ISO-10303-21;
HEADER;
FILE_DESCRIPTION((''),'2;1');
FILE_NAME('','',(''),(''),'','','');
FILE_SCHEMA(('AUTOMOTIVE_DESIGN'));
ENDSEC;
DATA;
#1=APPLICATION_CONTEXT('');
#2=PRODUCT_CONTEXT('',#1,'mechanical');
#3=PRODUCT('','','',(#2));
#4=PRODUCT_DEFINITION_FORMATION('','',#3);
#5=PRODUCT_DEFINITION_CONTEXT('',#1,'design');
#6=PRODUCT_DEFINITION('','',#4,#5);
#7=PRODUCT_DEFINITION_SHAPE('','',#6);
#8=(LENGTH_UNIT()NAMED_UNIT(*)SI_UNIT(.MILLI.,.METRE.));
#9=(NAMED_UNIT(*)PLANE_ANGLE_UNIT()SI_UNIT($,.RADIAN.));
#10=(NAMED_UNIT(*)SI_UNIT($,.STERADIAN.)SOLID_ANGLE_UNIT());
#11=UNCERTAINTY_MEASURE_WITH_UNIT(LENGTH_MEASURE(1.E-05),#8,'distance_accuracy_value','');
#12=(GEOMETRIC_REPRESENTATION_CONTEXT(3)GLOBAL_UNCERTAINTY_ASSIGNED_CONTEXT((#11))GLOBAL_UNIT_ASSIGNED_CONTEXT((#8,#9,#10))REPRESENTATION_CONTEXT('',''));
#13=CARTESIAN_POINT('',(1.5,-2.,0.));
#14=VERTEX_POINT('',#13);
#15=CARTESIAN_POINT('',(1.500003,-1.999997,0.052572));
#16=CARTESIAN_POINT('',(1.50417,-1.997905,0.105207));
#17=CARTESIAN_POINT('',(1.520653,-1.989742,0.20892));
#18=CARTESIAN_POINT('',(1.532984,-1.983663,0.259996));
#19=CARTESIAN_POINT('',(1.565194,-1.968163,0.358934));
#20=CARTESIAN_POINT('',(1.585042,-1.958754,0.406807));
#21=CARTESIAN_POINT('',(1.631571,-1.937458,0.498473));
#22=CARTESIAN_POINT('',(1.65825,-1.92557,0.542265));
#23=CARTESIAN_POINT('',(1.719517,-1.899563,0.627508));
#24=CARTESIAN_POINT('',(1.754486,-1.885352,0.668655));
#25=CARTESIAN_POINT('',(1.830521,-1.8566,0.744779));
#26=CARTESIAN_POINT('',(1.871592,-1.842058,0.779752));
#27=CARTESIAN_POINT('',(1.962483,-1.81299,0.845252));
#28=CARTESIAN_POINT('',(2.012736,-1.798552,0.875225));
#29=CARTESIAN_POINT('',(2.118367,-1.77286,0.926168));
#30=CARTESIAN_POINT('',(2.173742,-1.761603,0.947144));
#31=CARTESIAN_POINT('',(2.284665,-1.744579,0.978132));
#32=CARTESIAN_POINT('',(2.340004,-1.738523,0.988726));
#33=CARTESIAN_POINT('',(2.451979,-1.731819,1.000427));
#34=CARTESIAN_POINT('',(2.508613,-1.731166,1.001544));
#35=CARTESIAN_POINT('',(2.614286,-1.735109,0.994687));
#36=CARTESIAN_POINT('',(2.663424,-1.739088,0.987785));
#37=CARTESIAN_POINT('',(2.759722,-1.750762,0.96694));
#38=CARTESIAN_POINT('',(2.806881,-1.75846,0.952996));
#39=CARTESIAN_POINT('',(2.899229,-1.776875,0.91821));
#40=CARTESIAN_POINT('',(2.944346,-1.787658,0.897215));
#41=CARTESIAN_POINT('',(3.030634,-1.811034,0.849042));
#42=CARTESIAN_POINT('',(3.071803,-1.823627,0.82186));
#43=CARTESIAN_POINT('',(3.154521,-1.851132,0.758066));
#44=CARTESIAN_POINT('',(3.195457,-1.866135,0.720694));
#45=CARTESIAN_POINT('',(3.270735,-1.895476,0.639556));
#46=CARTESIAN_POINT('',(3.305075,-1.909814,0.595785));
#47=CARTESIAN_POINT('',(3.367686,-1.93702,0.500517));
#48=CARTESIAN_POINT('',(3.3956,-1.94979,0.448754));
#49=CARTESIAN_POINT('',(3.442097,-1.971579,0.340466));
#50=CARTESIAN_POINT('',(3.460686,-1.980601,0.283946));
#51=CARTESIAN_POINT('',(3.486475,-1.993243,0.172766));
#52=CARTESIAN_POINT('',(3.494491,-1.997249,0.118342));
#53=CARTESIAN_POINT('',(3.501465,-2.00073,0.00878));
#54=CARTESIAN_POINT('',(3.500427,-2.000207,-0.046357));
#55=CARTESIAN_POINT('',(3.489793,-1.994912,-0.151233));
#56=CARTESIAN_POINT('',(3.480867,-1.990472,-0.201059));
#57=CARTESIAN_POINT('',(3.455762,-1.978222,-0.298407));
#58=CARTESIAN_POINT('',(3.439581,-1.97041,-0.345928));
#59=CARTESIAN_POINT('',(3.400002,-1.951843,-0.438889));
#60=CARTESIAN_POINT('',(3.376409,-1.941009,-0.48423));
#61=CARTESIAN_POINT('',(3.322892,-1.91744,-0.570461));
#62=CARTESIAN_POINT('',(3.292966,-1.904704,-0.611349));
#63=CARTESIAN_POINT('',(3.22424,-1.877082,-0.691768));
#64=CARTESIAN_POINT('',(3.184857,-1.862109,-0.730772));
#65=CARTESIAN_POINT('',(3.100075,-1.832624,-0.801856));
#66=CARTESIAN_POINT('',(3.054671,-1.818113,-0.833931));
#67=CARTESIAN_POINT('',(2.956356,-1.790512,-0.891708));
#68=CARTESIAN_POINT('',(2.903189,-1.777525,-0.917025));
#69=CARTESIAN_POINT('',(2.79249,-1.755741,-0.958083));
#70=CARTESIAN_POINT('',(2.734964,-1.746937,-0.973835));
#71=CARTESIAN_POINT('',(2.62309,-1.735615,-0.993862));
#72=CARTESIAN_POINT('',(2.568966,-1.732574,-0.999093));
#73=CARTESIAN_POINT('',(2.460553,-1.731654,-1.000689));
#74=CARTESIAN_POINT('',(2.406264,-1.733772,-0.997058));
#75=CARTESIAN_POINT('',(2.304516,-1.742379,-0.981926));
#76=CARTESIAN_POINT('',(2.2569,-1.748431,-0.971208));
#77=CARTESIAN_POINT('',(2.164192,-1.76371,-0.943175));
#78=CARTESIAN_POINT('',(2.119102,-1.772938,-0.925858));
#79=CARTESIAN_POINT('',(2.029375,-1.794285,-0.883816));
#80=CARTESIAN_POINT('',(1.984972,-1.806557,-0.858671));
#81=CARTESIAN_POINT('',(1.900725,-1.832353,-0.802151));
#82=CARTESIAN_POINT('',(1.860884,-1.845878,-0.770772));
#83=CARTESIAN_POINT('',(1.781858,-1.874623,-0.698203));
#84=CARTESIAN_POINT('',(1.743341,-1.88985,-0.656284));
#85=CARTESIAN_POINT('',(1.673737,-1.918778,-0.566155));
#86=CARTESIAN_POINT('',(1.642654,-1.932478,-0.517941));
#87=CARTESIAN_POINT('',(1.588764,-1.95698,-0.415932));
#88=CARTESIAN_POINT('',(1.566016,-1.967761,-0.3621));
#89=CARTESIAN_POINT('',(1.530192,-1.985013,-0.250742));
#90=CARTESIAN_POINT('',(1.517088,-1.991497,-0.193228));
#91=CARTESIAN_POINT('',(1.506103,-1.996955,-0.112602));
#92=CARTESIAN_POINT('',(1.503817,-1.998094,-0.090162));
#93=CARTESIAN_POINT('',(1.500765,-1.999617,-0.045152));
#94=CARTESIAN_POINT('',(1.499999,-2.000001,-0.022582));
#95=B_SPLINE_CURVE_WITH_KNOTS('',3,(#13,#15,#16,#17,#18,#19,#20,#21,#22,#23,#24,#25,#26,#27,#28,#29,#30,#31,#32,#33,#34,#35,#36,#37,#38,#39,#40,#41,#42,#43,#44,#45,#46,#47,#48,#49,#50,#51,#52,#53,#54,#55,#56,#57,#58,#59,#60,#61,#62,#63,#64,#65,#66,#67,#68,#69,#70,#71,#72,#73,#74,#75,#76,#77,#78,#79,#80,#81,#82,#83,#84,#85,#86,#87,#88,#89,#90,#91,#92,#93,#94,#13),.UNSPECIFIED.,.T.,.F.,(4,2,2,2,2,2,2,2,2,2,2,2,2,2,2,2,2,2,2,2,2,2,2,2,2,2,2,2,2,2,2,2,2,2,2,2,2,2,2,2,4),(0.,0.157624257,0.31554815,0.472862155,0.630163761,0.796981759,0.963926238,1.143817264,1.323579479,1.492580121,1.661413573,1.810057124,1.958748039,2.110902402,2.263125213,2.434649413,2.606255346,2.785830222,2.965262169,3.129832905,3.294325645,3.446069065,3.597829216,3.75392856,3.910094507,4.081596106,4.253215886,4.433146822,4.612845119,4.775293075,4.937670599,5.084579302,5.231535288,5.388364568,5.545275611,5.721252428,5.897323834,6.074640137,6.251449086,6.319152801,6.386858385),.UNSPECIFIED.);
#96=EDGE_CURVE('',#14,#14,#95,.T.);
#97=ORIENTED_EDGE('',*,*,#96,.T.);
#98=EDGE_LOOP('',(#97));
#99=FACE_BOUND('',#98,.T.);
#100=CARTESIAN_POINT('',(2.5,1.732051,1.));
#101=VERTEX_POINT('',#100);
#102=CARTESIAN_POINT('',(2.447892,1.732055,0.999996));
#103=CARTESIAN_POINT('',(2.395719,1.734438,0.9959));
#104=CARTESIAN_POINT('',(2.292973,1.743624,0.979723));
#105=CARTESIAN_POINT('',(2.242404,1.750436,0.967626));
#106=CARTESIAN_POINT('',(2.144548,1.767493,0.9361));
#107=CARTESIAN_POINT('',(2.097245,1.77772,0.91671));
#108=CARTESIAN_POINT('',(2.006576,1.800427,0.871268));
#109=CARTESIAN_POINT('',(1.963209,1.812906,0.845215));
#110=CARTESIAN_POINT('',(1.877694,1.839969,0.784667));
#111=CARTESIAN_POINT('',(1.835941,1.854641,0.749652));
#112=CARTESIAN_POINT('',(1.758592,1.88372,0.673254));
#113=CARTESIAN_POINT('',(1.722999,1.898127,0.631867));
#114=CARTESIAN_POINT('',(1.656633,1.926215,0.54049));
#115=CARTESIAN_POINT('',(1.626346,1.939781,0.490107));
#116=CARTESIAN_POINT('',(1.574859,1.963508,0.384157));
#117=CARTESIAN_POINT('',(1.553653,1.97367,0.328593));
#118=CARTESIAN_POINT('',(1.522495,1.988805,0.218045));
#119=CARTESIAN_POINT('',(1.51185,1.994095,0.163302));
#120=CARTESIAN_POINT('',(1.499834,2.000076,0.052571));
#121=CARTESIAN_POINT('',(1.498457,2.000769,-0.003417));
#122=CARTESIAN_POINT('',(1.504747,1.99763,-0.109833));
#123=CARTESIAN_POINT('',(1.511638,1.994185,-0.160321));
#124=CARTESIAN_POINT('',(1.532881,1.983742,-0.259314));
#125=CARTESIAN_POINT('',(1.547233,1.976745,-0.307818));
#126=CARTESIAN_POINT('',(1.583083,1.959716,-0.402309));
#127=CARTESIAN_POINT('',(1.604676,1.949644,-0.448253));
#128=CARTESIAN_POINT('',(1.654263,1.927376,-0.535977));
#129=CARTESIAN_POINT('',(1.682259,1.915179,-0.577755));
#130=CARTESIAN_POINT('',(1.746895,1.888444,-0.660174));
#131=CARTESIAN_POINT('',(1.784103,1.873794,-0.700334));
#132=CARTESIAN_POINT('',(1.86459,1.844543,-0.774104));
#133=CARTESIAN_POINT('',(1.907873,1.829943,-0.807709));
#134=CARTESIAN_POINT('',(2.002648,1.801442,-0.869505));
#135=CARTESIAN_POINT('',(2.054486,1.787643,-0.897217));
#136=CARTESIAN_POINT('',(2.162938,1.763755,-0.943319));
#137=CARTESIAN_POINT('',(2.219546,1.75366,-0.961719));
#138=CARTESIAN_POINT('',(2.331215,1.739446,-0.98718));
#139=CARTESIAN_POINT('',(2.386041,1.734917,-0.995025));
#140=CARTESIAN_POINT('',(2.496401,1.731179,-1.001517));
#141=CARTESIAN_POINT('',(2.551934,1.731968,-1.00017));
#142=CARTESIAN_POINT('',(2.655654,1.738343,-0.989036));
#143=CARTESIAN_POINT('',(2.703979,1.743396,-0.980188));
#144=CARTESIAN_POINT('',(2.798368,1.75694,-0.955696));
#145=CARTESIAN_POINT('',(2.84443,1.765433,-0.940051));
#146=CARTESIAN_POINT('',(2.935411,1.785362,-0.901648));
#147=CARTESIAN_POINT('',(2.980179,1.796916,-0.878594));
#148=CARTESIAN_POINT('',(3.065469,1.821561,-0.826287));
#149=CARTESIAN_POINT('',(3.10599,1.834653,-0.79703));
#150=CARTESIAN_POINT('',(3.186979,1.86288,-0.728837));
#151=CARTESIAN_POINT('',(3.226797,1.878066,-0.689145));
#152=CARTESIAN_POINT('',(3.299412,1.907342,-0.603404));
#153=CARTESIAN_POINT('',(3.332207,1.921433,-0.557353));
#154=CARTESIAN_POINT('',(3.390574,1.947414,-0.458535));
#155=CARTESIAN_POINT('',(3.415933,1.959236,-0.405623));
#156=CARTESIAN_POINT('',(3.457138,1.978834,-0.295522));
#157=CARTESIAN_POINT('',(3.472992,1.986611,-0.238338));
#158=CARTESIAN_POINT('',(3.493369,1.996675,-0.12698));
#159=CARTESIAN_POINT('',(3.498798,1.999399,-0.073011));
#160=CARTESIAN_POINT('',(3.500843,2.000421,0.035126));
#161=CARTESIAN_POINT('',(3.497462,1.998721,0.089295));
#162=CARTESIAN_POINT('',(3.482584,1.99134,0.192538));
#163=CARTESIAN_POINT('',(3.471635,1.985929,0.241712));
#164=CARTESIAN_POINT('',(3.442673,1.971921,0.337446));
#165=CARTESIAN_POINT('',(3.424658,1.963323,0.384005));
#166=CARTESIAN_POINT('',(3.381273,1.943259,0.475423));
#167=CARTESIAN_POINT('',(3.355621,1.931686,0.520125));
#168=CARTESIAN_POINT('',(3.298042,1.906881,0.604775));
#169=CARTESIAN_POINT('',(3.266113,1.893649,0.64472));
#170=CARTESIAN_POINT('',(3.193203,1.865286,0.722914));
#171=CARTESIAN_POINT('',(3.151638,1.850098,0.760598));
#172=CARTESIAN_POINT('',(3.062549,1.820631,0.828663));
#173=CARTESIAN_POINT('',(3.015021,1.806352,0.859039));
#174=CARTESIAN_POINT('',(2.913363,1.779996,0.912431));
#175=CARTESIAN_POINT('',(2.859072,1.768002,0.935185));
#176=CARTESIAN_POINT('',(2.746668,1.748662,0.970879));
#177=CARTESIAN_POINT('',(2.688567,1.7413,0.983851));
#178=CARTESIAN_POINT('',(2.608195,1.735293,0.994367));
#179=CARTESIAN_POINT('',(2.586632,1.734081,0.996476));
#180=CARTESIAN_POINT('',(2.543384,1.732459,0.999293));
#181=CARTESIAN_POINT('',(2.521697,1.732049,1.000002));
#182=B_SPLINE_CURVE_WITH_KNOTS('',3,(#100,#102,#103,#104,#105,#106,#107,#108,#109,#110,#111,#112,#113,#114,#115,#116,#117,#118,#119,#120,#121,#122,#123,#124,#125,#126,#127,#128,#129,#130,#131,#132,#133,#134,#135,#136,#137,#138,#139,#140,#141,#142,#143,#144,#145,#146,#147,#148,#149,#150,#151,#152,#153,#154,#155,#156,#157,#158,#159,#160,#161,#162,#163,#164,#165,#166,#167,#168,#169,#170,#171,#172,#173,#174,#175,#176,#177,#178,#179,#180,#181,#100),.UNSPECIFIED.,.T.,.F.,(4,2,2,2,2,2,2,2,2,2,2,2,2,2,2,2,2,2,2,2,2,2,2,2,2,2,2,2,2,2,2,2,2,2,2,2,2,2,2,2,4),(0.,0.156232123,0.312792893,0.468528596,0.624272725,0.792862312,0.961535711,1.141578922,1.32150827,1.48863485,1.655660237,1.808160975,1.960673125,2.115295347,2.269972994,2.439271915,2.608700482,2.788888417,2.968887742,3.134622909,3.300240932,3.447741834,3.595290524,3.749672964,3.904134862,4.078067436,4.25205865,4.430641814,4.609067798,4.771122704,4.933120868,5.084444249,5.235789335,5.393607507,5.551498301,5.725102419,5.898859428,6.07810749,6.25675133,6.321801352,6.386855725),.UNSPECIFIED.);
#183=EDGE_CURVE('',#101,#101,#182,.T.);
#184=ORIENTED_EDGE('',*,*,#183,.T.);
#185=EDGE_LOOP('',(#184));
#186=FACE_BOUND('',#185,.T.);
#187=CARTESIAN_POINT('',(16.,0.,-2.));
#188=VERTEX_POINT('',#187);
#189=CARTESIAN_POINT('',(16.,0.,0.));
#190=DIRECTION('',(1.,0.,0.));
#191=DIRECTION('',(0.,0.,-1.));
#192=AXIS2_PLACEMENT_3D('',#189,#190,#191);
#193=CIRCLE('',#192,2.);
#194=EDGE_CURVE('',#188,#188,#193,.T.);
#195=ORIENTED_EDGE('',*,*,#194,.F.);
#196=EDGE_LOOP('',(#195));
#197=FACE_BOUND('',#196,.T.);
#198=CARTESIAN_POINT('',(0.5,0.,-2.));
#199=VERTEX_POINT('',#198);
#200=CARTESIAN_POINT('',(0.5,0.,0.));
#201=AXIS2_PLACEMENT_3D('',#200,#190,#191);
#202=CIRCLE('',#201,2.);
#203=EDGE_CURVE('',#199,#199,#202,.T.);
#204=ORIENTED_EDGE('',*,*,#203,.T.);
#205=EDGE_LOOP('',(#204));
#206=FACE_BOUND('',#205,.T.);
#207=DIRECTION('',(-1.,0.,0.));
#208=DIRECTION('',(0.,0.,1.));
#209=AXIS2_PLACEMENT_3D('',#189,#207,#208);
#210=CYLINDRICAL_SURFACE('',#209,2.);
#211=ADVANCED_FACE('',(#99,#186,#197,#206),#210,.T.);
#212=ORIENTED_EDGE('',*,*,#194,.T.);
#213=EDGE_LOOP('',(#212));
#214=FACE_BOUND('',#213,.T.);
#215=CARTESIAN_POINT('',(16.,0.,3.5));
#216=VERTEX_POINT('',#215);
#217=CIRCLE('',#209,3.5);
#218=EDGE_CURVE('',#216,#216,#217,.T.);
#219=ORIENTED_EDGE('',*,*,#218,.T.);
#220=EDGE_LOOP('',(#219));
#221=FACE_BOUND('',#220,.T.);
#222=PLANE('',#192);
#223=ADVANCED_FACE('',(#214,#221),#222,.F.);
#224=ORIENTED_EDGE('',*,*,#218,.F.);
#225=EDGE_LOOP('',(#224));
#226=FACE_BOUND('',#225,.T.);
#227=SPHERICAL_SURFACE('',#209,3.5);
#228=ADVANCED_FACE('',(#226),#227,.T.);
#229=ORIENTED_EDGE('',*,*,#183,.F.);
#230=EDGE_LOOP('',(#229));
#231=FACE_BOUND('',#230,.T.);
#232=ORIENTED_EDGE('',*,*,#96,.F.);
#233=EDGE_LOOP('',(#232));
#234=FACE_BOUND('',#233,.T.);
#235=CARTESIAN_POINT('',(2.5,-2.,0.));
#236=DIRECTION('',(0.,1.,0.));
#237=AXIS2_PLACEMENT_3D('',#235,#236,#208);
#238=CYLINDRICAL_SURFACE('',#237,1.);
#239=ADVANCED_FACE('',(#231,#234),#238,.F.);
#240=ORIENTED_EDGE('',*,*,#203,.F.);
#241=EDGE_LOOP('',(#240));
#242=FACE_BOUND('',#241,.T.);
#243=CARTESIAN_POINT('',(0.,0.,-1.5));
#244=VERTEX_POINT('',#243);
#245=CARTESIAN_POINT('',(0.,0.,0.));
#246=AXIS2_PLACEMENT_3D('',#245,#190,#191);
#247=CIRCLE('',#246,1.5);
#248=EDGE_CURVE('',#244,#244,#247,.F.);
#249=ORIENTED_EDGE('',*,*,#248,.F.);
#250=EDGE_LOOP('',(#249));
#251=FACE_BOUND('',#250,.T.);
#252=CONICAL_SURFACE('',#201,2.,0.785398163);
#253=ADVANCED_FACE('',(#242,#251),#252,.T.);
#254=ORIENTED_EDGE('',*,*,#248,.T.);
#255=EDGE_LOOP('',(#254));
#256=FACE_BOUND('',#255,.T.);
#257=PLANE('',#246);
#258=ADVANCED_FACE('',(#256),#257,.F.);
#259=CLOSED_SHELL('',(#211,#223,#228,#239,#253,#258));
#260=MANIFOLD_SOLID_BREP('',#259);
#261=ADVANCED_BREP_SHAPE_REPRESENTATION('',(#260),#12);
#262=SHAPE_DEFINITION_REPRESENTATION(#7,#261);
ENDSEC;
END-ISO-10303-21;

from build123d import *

# Parameters (mm, degrees)
SKETCH3_R               = 2
BOSS_EXTRUDE1_DEPTH     = 16
CHAMFER1_SIZE           = 0.5
SKETCH4_R               = 1
CUT_EXTRUDE1_DEPTH      = 3
CUT_EXTRUDE1_DEPTH_BACK = 3


with BuildPart() as part:
    # Sketch3 → Boss-Extrude1 (new body)
    with BuildSketch(Plane(origin=(0, 0, 0), x_dir=(0, 0, -1), z_dir=(1, 0, 0))):
        Circle(SKETCH3_R)
    extrude(amount=BOSS_EXTRUDE1_DEPTH)

    # Chamfer1
    chamfer1_edges = [part.edges().sort_by_distance(p)[0] for p in [
        (0, 0, 2),
    ]]
    chamfer(chamfer1_edges, length=CHAMFER1_SIZE)

    # Sketch4 → Cut-Extrude1 (cut, two sides)
    with BuildSketch(Plane(origin=(0, 0, 0), x_dir=(1, 0, 0), z_dir=(0, 1, 0))) as cut_extrude1_sk:
        with Locations((2.5, 0)):
            Circle(SKETCH4_R)
    extrude(amount=CUT_EXTRUDE1_DEPTH, mode=Mode.SUBTRACT)
    extrude(cut_extrude1_sk.sketch, amount=-CUT_EXTRUDE1_DEPTH_BACK, mode=Mode.SUBTRACT)

    # Sketch5 → Revolve1 (revolve)
    with BuildSketch(Plane(origin=(0, 0, 0), x_dir=(1, 0, 0), z_dir=(0, 1, 0))):
        with BuildLine():
            Line((16, 0), (16, 3.5))
            ThreePointArc((16, 3.5), (18.474873734, 2.474873734), (19.5, 0))
            Line((19.5, 0), (16, 0))
        make_face()
    revolve(axis=Axis((16, 0, 0), (1, 0, 0)))


solid = part.part
